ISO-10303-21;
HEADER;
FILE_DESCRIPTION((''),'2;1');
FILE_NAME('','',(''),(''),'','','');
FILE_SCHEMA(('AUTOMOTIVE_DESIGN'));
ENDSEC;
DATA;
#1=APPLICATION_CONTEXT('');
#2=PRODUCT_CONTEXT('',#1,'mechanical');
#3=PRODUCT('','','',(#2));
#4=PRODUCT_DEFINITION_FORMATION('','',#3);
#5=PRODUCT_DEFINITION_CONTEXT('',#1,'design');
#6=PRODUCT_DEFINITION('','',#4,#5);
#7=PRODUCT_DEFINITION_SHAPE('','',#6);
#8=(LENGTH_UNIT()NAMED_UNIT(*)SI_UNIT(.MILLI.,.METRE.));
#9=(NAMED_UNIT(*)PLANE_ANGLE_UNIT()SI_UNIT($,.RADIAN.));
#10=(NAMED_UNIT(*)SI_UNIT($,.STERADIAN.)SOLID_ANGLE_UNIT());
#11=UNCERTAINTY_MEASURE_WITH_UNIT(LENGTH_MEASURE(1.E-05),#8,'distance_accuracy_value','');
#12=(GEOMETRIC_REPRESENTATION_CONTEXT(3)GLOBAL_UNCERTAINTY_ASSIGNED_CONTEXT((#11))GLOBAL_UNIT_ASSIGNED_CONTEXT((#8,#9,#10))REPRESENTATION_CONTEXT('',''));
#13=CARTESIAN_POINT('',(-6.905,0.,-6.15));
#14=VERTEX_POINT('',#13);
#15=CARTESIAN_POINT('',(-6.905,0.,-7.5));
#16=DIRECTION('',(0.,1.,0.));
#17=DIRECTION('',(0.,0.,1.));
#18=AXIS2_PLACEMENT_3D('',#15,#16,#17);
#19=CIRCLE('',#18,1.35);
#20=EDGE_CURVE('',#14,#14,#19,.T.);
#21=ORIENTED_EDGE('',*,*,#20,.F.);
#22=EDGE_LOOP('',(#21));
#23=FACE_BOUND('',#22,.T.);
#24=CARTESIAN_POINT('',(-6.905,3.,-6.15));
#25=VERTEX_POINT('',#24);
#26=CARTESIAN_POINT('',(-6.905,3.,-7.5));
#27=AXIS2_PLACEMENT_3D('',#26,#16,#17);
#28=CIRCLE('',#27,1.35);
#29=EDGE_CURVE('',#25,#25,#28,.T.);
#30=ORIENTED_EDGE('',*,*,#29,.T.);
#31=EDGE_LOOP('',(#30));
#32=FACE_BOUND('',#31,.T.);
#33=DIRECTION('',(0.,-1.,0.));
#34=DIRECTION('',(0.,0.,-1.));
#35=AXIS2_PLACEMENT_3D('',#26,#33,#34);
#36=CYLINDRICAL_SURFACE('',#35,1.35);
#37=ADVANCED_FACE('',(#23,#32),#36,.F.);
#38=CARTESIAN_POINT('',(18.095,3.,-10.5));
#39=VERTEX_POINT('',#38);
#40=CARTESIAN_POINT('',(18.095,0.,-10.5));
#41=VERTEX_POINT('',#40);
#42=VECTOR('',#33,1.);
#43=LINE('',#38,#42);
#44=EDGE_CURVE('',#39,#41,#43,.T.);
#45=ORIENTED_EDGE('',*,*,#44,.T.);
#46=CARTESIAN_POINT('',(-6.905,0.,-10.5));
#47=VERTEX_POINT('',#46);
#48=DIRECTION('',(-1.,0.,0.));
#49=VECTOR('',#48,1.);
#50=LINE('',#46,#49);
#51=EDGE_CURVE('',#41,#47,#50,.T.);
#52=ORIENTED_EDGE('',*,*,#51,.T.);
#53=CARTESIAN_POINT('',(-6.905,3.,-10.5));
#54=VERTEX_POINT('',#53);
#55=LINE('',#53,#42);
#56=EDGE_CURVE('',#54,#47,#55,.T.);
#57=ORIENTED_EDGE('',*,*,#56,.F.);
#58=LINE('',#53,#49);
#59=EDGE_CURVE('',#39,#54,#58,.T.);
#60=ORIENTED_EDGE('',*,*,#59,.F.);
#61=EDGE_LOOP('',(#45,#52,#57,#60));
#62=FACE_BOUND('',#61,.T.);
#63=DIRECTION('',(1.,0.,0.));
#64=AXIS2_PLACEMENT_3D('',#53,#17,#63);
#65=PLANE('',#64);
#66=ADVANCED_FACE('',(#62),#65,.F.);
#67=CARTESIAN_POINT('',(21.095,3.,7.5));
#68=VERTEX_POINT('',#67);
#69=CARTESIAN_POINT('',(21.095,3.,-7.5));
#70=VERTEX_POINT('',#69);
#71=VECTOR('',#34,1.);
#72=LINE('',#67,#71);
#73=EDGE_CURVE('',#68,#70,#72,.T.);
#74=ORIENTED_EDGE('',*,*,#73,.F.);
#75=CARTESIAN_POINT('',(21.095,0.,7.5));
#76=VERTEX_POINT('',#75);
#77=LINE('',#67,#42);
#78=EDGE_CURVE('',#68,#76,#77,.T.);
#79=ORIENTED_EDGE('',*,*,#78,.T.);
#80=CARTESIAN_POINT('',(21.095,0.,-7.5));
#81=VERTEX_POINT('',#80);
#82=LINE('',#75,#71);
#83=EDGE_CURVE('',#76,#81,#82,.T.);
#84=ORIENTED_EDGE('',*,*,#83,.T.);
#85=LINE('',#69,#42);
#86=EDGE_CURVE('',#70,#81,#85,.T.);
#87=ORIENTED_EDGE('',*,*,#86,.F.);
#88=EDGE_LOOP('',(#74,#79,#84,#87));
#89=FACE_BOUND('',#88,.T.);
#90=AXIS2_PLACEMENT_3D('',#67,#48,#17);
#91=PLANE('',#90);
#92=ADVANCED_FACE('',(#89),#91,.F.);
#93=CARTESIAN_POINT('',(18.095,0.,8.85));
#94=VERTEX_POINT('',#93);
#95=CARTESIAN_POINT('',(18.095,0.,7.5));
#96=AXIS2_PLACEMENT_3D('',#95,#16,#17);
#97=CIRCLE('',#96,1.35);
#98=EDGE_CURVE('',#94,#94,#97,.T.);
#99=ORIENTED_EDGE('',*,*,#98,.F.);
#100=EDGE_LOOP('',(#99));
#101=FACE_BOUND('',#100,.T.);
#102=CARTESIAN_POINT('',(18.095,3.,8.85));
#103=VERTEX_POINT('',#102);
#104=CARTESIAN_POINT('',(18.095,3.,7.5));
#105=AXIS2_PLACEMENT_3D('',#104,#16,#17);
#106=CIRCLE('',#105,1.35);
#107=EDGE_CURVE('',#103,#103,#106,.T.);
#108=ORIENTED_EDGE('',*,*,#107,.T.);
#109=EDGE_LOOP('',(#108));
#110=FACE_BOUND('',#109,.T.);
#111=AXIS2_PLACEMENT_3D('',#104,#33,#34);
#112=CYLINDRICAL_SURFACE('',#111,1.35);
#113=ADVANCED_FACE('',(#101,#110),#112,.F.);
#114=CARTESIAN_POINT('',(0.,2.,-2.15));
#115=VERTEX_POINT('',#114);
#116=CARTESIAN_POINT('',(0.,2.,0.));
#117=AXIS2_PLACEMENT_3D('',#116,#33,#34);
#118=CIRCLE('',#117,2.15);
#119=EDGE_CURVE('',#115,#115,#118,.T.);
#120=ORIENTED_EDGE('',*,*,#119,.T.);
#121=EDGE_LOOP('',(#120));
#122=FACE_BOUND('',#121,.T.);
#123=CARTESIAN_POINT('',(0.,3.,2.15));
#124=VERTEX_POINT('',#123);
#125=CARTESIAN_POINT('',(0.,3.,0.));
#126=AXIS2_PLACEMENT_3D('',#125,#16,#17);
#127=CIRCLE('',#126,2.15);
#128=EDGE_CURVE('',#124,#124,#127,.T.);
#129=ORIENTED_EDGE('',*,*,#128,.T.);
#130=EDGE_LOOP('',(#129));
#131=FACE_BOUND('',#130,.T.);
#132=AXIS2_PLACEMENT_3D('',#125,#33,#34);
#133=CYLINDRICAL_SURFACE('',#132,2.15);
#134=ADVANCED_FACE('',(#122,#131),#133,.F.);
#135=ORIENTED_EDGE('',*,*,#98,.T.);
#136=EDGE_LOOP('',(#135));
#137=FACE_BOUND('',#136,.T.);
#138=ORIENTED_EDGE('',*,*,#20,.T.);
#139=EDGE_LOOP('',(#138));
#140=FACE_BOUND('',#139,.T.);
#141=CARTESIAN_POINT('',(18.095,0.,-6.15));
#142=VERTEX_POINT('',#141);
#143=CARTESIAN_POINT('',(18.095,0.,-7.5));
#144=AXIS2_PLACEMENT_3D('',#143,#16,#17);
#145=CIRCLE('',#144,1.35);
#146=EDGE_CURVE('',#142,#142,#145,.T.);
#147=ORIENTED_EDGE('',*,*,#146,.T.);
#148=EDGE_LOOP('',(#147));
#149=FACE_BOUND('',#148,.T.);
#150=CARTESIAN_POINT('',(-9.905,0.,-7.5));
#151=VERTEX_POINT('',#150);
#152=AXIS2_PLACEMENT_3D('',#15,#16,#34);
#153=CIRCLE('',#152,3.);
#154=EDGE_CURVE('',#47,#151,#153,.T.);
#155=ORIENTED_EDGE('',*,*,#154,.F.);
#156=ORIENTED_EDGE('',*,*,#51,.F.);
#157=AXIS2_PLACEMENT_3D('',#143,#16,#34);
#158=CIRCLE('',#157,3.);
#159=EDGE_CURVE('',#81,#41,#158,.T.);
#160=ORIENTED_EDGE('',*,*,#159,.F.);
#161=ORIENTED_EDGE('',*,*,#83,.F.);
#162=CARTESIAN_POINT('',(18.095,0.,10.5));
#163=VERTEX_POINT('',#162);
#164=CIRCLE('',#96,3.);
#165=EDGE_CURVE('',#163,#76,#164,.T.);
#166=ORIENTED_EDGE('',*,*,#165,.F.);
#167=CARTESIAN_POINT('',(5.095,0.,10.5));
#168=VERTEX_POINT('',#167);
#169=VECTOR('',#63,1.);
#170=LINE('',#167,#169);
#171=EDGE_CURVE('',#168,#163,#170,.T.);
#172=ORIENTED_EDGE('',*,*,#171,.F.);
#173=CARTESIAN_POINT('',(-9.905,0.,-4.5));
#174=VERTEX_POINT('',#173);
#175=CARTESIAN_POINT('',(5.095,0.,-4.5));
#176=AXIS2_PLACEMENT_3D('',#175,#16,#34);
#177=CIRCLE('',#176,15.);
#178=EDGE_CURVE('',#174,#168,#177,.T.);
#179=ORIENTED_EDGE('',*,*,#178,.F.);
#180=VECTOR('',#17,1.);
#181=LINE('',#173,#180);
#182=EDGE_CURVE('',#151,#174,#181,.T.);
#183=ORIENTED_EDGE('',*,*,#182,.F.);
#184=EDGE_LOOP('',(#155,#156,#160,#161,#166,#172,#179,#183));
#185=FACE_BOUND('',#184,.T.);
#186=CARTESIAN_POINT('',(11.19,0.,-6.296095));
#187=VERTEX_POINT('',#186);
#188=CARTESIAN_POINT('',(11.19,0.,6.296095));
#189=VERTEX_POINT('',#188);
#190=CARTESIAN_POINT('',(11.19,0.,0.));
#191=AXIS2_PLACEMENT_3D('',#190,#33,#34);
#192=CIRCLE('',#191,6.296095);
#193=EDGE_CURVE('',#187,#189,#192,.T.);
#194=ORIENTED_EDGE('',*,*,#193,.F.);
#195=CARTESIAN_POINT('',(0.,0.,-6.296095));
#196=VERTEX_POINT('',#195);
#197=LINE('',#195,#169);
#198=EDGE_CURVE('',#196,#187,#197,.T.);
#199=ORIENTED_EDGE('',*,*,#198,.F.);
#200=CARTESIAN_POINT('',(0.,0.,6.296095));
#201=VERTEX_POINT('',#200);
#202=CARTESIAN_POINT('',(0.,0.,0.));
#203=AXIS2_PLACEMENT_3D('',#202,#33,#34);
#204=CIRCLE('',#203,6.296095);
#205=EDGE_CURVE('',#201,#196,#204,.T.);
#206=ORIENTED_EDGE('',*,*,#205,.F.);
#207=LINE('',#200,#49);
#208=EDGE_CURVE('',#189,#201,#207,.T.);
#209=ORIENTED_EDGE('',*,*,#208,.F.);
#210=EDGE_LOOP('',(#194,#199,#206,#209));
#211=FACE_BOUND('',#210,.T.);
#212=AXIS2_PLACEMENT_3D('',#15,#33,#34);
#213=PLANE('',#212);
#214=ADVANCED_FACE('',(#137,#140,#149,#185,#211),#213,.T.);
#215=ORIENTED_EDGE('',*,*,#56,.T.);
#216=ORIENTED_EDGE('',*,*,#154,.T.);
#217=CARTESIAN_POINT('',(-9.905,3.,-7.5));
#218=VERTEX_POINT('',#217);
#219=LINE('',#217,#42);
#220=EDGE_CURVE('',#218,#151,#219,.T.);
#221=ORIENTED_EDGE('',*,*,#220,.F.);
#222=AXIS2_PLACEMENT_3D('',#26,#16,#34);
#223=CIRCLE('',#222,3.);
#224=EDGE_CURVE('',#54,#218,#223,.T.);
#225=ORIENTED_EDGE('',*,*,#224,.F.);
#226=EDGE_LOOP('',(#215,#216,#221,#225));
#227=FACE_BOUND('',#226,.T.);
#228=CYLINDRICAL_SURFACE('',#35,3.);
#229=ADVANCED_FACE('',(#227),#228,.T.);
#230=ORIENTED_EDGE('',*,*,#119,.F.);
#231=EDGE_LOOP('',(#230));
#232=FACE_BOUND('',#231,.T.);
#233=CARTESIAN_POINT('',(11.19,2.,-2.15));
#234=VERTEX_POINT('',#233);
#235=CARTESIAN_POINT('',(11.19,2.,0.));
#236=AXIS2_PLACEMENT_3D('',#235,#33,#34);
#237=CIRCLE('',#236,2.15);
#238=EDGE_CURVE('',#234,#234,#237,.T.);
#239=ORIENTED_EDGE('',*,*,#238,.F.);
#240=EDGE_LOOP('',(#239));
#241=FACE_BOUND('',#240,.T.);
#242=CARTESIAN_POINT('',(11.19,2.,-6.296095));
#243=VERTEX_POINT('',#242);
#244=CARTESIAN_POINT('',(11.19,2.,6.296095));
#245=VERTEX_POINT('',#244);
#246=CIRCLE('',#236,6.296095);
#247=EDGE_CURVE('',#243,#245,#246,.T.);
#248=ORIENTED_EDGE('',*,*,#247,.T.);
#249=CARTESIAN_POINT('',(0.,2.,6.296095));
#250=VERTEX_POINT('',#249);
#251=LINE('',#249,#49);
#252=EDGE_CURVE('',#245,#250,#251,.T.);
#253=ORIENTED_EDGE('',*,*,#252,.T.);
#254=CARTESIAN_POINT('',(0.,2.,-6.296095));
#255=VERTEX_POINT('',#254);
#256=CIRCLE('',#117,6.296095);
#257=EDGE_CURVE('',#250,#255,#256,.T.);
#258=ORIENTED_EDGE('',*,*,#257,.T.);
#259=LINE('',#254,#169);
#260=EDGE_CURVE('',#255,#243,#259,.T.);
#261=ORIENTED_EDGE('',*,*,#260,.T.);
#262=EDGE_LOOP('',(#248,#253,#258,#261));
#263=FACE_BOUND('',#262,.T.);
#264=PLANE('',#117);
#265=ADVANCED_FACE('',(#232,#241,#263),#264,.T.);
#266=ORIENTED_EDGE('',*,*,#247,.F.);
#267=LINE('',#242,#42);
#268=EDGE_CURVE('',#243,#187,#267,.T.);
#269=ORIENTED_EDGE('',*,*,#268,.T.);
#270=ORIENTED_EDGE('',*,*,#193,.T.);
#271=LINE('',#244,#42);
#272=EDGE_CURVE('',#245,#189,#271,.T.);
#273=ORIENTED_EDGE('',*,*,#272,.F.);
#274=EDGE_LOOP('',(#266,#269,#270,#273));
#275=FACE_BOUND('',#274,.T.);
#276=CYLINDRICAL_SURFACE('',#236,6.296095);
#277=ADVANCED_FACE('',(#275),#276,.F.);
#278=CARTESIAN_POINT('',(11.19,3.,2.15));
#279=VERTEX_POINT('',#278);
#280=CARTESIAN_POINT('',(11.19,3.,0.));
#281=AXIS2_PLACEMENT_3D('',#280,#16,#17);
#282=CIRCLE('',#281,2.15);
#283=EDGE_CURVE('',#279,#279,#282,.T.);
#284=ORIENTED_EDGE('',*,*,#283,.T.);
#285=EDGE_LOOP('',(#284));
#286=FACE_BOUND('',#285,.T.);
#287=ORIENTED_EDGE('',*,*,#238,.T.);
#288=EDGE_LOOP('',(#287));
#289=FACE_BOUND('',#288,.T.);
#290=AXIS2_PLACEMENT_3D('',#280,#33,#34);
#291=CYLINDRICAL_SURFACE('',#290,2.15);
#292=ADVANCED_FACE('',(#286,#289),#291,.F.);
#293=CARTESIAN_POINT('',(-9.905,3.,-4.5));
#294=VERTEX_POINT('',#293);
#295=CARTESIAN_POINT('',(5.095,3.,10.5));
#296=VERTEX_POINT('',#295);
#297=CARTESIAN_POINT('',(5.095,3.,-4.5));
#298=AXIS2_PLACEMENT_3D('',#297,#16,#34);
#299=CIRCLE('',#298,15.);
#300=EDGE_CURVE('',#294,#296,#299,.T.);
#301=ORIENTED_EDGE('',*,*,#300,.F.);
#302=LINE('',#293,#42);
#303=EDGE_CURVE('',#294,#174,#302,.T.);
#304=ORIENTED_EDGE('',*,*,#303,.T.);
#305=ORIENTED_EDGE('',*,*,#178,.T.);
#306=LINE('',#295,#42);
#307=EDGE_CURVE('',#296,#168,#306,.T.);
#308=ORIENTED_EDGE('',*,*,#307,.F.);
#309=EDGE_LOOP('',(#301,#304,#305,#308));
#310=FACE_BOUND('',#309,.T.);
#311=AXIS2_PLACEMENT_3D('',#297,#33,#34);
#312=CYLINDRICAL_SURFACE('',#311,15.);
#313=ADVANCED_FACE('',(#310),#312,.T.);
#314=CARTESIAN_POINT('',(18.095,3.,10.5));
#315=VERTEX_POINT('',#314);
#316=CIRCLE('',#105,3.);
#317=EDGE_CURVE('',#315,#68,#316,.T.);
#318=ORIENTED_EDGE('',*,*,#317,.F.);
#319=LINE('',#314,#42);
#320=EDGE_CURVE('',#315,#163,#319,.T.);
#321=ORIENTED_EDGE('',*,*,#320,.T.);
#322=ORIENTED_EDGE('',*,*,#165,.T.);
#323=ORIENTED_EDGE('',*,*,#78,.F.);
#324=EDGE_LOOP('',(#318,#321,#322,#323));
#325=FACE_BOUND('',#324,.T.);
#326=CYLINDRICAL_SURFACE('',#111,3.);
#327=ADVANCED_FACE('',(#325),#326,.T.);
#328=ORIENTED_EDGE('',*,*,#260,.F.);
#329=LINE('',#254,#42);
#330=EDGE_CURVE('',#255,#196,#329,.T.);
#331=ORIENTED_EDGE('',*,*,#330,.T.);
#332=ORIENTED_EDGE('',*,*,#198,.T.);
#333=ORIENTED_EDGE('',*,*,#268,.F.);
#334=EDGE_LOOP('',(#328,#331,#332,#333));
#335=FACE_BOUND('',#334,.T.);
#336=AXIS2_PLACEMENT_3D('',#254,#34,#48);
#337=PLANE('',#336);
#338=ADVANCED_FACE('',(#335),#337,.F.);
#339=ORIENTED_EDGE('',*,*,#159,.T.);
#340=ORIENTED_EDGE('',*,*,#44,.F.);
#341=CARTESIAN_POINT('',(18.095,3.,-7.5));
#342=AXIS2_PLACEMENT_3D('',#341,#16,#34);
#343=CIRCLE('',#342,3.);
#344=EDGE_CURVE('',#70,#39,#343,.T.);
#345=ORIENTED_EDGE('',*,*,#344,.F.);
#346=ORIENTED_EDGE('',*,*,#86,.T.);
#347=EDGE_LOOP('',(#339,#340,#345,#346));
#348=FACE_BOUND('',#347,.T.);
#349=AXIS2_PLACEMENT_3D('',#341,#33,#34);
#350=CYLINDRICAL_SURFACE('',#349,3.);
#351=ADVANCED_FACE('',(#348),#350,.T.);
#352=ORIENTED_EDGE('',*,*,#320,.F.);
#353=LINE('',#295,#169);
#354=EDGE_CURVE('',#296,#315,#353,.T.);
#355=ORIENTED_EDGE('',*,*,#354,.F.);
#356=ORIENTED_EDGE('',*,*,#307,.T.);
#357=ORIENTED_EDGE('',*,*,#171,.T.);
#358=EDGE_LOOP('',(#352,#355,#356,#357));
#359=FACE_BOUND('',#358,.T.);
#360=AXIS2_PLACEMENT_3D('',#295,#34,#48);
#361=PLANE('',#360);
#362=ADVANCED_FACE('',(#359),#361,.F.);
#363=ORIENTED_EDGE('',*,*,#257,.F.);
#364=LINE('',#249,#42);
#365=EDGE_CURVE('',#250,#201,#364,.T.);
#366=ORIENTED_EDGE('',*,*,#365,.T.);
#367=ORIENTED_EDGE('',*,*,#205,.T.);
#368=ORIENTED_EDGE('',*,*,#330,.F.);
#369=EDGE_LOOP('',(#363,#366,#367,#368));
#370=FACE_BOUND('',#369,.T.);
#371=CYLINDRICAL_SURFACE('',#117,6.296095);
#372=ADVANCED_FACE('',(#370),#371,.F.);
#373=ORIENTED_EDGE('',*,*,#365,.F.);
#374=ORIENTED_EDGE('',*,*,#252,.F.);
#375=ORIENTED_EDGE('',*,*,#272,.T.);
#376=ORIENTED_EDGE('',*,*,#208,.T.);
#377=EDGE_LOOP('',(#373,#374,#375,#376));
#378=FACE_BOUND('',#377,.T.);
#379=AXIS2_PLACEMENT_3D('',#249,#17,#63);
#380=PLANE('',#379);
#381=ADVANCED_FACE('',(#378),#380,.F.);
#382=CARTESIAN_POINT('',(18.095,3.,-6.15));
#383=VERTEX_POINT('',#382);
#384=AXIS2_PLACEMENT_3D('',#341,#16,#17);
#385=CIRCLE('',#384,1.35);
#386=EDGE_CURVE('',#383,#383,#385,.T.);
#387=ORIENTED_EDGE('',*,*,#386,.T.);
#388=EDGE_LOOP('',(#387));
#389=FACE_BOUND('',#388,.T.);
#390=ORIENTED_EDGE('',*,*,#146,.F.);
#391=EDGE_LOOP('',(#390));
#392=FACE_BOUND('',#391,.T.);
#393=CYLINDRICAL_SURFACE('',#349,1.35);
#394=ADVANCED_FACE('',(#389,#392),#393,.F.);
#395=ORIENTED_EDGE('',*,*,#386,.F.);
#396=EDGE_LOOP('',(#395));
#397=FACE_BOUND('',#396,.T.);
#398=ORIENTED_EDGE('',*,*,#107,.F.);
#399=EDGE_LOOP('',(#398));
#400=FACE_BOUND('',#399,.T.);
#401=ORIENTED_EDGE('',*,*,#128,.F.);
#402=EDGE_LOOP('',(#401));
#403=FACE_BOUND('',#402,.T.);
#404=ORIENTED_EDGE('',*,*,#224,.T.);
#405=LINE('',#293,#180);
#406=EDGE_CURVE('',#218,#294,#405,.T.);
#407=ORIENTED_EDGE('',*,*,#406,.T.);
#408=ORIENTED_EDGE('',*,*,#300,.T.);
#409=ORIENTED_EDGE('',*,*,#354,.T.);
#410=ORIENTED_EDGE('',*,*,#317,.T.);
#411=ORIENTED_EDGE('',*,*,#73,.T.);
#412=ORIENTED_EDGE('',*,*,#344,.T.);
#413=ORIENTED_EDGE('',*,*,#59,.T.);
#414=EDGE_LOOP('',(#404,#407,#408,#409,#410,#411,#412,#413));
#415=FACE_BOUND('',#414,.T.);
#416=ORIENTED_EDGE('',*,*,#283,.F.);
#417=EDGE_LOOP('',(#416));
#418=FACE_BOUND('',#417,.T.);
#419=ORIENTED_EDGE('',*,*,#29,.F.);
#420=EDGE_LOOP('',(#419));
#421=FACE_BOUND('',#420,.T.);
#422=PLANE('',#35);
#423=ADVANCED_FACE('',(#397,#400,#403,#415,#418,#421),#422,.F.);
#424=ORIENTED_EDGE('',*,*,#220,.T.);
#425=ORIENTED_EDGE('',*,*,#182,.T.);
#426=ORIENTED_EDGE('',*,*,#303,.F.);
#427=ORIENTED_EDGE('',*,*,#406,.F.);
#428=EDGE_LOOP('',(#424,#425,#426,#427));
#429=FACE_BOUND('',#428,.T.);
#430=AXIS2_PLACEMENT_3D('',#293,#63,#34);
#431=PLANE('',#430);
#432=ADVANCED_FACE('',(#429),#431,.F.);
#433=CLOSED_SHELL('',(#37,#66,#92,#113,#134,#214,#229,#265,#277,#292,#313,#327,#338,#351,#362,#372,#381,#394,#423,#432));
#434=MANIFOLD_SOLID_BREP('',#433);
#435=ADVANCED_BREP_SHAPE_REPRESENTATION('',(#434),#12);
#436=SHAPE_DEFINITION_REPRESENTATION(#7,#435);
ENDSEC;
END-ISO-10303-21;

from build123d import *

# Parameters (mm, degrees)
SKETCH1_R           = 2.15
SKETCH1_R_2         = 1.35
BOSS_EXTRUDE1_DEPTH = 3
CUT_EXTRUDE1_DEPTH  = 2


with BuildPart() as part:
    # Sketch1 → Boss-Extrude1 (new body)
    with BuildSketch(Plane(origin=(0, 0, 0), x_dir=(1, 0, 0), z_dir=(0, 1, 0))):
        with BuildLine():
            Line((5.095, -10.5), (18.095, -10.5))
            ThreePointArc((18.095, -10.5), (20.216320344, -9.621320344), (21.095, -7.5))
            Line((21.095, -7.5), (21.095, 7.5))
            ThreePointArc((21.095, 7.5), (20.216320344, 9.621320344), (18.095, 10.5))
            Line((18.095, 10.5), (-6.905, 10.5))
            ThreePointArc((-6.905, 10.5), (-9.026320344, 9.621320344), (-9.905, 7.5))
            Line((-9.905, 7.5), (-9.905, 4.5))
            ThreePointArc((-9.905, 4.5), (-5.511601718, -6.106601718), (5.095, -10.5))
        make_face()
        Circle(SKETCH1_R, mode=Mode.SUBTRACT)
        with Locations((11.19, 0)):
            Circle(SKETCH1_R, mode=Mode.SUBTRACT)
        with Locations((-6.905, 7.5)):
            Circle(SKETCH1_R_2, mode=Mode.SUBTRACT)
        with Locations((18.095, 7.5)):
            Circle(SKETCH1_R_2, mode=Mode.SUBTRACT)
        with Locations((18.095, -7.5)):
            Circle(SKETCH1_R_2, mode=Mode.SUBTRACT)
    extrude(amount=BOSS_EXTRUDE1_DEPTH)

    # Sketch2 → Cut-Extrude1 (cut)
    with BuildSketch(Plane.XZ):
        with BuildLine():
            Line((0, 6.29609527), (11.19, 6.29609527))
            ThreePointArc((11.19, 6.29609527), (17.48609527, 0), (11.19, -6.29609527))
            Line((11.19, -6.29609527), (0, -6.29609527))
            ThreePointArc((0, -6.29609527), (-6.29609527, 0), (0, 6.29609527))
        make_face()
    extrude(amount=-CUT_EXTRUDE1_DEPTH, mode=Mode.SUBTRACT)


solid = part.part
